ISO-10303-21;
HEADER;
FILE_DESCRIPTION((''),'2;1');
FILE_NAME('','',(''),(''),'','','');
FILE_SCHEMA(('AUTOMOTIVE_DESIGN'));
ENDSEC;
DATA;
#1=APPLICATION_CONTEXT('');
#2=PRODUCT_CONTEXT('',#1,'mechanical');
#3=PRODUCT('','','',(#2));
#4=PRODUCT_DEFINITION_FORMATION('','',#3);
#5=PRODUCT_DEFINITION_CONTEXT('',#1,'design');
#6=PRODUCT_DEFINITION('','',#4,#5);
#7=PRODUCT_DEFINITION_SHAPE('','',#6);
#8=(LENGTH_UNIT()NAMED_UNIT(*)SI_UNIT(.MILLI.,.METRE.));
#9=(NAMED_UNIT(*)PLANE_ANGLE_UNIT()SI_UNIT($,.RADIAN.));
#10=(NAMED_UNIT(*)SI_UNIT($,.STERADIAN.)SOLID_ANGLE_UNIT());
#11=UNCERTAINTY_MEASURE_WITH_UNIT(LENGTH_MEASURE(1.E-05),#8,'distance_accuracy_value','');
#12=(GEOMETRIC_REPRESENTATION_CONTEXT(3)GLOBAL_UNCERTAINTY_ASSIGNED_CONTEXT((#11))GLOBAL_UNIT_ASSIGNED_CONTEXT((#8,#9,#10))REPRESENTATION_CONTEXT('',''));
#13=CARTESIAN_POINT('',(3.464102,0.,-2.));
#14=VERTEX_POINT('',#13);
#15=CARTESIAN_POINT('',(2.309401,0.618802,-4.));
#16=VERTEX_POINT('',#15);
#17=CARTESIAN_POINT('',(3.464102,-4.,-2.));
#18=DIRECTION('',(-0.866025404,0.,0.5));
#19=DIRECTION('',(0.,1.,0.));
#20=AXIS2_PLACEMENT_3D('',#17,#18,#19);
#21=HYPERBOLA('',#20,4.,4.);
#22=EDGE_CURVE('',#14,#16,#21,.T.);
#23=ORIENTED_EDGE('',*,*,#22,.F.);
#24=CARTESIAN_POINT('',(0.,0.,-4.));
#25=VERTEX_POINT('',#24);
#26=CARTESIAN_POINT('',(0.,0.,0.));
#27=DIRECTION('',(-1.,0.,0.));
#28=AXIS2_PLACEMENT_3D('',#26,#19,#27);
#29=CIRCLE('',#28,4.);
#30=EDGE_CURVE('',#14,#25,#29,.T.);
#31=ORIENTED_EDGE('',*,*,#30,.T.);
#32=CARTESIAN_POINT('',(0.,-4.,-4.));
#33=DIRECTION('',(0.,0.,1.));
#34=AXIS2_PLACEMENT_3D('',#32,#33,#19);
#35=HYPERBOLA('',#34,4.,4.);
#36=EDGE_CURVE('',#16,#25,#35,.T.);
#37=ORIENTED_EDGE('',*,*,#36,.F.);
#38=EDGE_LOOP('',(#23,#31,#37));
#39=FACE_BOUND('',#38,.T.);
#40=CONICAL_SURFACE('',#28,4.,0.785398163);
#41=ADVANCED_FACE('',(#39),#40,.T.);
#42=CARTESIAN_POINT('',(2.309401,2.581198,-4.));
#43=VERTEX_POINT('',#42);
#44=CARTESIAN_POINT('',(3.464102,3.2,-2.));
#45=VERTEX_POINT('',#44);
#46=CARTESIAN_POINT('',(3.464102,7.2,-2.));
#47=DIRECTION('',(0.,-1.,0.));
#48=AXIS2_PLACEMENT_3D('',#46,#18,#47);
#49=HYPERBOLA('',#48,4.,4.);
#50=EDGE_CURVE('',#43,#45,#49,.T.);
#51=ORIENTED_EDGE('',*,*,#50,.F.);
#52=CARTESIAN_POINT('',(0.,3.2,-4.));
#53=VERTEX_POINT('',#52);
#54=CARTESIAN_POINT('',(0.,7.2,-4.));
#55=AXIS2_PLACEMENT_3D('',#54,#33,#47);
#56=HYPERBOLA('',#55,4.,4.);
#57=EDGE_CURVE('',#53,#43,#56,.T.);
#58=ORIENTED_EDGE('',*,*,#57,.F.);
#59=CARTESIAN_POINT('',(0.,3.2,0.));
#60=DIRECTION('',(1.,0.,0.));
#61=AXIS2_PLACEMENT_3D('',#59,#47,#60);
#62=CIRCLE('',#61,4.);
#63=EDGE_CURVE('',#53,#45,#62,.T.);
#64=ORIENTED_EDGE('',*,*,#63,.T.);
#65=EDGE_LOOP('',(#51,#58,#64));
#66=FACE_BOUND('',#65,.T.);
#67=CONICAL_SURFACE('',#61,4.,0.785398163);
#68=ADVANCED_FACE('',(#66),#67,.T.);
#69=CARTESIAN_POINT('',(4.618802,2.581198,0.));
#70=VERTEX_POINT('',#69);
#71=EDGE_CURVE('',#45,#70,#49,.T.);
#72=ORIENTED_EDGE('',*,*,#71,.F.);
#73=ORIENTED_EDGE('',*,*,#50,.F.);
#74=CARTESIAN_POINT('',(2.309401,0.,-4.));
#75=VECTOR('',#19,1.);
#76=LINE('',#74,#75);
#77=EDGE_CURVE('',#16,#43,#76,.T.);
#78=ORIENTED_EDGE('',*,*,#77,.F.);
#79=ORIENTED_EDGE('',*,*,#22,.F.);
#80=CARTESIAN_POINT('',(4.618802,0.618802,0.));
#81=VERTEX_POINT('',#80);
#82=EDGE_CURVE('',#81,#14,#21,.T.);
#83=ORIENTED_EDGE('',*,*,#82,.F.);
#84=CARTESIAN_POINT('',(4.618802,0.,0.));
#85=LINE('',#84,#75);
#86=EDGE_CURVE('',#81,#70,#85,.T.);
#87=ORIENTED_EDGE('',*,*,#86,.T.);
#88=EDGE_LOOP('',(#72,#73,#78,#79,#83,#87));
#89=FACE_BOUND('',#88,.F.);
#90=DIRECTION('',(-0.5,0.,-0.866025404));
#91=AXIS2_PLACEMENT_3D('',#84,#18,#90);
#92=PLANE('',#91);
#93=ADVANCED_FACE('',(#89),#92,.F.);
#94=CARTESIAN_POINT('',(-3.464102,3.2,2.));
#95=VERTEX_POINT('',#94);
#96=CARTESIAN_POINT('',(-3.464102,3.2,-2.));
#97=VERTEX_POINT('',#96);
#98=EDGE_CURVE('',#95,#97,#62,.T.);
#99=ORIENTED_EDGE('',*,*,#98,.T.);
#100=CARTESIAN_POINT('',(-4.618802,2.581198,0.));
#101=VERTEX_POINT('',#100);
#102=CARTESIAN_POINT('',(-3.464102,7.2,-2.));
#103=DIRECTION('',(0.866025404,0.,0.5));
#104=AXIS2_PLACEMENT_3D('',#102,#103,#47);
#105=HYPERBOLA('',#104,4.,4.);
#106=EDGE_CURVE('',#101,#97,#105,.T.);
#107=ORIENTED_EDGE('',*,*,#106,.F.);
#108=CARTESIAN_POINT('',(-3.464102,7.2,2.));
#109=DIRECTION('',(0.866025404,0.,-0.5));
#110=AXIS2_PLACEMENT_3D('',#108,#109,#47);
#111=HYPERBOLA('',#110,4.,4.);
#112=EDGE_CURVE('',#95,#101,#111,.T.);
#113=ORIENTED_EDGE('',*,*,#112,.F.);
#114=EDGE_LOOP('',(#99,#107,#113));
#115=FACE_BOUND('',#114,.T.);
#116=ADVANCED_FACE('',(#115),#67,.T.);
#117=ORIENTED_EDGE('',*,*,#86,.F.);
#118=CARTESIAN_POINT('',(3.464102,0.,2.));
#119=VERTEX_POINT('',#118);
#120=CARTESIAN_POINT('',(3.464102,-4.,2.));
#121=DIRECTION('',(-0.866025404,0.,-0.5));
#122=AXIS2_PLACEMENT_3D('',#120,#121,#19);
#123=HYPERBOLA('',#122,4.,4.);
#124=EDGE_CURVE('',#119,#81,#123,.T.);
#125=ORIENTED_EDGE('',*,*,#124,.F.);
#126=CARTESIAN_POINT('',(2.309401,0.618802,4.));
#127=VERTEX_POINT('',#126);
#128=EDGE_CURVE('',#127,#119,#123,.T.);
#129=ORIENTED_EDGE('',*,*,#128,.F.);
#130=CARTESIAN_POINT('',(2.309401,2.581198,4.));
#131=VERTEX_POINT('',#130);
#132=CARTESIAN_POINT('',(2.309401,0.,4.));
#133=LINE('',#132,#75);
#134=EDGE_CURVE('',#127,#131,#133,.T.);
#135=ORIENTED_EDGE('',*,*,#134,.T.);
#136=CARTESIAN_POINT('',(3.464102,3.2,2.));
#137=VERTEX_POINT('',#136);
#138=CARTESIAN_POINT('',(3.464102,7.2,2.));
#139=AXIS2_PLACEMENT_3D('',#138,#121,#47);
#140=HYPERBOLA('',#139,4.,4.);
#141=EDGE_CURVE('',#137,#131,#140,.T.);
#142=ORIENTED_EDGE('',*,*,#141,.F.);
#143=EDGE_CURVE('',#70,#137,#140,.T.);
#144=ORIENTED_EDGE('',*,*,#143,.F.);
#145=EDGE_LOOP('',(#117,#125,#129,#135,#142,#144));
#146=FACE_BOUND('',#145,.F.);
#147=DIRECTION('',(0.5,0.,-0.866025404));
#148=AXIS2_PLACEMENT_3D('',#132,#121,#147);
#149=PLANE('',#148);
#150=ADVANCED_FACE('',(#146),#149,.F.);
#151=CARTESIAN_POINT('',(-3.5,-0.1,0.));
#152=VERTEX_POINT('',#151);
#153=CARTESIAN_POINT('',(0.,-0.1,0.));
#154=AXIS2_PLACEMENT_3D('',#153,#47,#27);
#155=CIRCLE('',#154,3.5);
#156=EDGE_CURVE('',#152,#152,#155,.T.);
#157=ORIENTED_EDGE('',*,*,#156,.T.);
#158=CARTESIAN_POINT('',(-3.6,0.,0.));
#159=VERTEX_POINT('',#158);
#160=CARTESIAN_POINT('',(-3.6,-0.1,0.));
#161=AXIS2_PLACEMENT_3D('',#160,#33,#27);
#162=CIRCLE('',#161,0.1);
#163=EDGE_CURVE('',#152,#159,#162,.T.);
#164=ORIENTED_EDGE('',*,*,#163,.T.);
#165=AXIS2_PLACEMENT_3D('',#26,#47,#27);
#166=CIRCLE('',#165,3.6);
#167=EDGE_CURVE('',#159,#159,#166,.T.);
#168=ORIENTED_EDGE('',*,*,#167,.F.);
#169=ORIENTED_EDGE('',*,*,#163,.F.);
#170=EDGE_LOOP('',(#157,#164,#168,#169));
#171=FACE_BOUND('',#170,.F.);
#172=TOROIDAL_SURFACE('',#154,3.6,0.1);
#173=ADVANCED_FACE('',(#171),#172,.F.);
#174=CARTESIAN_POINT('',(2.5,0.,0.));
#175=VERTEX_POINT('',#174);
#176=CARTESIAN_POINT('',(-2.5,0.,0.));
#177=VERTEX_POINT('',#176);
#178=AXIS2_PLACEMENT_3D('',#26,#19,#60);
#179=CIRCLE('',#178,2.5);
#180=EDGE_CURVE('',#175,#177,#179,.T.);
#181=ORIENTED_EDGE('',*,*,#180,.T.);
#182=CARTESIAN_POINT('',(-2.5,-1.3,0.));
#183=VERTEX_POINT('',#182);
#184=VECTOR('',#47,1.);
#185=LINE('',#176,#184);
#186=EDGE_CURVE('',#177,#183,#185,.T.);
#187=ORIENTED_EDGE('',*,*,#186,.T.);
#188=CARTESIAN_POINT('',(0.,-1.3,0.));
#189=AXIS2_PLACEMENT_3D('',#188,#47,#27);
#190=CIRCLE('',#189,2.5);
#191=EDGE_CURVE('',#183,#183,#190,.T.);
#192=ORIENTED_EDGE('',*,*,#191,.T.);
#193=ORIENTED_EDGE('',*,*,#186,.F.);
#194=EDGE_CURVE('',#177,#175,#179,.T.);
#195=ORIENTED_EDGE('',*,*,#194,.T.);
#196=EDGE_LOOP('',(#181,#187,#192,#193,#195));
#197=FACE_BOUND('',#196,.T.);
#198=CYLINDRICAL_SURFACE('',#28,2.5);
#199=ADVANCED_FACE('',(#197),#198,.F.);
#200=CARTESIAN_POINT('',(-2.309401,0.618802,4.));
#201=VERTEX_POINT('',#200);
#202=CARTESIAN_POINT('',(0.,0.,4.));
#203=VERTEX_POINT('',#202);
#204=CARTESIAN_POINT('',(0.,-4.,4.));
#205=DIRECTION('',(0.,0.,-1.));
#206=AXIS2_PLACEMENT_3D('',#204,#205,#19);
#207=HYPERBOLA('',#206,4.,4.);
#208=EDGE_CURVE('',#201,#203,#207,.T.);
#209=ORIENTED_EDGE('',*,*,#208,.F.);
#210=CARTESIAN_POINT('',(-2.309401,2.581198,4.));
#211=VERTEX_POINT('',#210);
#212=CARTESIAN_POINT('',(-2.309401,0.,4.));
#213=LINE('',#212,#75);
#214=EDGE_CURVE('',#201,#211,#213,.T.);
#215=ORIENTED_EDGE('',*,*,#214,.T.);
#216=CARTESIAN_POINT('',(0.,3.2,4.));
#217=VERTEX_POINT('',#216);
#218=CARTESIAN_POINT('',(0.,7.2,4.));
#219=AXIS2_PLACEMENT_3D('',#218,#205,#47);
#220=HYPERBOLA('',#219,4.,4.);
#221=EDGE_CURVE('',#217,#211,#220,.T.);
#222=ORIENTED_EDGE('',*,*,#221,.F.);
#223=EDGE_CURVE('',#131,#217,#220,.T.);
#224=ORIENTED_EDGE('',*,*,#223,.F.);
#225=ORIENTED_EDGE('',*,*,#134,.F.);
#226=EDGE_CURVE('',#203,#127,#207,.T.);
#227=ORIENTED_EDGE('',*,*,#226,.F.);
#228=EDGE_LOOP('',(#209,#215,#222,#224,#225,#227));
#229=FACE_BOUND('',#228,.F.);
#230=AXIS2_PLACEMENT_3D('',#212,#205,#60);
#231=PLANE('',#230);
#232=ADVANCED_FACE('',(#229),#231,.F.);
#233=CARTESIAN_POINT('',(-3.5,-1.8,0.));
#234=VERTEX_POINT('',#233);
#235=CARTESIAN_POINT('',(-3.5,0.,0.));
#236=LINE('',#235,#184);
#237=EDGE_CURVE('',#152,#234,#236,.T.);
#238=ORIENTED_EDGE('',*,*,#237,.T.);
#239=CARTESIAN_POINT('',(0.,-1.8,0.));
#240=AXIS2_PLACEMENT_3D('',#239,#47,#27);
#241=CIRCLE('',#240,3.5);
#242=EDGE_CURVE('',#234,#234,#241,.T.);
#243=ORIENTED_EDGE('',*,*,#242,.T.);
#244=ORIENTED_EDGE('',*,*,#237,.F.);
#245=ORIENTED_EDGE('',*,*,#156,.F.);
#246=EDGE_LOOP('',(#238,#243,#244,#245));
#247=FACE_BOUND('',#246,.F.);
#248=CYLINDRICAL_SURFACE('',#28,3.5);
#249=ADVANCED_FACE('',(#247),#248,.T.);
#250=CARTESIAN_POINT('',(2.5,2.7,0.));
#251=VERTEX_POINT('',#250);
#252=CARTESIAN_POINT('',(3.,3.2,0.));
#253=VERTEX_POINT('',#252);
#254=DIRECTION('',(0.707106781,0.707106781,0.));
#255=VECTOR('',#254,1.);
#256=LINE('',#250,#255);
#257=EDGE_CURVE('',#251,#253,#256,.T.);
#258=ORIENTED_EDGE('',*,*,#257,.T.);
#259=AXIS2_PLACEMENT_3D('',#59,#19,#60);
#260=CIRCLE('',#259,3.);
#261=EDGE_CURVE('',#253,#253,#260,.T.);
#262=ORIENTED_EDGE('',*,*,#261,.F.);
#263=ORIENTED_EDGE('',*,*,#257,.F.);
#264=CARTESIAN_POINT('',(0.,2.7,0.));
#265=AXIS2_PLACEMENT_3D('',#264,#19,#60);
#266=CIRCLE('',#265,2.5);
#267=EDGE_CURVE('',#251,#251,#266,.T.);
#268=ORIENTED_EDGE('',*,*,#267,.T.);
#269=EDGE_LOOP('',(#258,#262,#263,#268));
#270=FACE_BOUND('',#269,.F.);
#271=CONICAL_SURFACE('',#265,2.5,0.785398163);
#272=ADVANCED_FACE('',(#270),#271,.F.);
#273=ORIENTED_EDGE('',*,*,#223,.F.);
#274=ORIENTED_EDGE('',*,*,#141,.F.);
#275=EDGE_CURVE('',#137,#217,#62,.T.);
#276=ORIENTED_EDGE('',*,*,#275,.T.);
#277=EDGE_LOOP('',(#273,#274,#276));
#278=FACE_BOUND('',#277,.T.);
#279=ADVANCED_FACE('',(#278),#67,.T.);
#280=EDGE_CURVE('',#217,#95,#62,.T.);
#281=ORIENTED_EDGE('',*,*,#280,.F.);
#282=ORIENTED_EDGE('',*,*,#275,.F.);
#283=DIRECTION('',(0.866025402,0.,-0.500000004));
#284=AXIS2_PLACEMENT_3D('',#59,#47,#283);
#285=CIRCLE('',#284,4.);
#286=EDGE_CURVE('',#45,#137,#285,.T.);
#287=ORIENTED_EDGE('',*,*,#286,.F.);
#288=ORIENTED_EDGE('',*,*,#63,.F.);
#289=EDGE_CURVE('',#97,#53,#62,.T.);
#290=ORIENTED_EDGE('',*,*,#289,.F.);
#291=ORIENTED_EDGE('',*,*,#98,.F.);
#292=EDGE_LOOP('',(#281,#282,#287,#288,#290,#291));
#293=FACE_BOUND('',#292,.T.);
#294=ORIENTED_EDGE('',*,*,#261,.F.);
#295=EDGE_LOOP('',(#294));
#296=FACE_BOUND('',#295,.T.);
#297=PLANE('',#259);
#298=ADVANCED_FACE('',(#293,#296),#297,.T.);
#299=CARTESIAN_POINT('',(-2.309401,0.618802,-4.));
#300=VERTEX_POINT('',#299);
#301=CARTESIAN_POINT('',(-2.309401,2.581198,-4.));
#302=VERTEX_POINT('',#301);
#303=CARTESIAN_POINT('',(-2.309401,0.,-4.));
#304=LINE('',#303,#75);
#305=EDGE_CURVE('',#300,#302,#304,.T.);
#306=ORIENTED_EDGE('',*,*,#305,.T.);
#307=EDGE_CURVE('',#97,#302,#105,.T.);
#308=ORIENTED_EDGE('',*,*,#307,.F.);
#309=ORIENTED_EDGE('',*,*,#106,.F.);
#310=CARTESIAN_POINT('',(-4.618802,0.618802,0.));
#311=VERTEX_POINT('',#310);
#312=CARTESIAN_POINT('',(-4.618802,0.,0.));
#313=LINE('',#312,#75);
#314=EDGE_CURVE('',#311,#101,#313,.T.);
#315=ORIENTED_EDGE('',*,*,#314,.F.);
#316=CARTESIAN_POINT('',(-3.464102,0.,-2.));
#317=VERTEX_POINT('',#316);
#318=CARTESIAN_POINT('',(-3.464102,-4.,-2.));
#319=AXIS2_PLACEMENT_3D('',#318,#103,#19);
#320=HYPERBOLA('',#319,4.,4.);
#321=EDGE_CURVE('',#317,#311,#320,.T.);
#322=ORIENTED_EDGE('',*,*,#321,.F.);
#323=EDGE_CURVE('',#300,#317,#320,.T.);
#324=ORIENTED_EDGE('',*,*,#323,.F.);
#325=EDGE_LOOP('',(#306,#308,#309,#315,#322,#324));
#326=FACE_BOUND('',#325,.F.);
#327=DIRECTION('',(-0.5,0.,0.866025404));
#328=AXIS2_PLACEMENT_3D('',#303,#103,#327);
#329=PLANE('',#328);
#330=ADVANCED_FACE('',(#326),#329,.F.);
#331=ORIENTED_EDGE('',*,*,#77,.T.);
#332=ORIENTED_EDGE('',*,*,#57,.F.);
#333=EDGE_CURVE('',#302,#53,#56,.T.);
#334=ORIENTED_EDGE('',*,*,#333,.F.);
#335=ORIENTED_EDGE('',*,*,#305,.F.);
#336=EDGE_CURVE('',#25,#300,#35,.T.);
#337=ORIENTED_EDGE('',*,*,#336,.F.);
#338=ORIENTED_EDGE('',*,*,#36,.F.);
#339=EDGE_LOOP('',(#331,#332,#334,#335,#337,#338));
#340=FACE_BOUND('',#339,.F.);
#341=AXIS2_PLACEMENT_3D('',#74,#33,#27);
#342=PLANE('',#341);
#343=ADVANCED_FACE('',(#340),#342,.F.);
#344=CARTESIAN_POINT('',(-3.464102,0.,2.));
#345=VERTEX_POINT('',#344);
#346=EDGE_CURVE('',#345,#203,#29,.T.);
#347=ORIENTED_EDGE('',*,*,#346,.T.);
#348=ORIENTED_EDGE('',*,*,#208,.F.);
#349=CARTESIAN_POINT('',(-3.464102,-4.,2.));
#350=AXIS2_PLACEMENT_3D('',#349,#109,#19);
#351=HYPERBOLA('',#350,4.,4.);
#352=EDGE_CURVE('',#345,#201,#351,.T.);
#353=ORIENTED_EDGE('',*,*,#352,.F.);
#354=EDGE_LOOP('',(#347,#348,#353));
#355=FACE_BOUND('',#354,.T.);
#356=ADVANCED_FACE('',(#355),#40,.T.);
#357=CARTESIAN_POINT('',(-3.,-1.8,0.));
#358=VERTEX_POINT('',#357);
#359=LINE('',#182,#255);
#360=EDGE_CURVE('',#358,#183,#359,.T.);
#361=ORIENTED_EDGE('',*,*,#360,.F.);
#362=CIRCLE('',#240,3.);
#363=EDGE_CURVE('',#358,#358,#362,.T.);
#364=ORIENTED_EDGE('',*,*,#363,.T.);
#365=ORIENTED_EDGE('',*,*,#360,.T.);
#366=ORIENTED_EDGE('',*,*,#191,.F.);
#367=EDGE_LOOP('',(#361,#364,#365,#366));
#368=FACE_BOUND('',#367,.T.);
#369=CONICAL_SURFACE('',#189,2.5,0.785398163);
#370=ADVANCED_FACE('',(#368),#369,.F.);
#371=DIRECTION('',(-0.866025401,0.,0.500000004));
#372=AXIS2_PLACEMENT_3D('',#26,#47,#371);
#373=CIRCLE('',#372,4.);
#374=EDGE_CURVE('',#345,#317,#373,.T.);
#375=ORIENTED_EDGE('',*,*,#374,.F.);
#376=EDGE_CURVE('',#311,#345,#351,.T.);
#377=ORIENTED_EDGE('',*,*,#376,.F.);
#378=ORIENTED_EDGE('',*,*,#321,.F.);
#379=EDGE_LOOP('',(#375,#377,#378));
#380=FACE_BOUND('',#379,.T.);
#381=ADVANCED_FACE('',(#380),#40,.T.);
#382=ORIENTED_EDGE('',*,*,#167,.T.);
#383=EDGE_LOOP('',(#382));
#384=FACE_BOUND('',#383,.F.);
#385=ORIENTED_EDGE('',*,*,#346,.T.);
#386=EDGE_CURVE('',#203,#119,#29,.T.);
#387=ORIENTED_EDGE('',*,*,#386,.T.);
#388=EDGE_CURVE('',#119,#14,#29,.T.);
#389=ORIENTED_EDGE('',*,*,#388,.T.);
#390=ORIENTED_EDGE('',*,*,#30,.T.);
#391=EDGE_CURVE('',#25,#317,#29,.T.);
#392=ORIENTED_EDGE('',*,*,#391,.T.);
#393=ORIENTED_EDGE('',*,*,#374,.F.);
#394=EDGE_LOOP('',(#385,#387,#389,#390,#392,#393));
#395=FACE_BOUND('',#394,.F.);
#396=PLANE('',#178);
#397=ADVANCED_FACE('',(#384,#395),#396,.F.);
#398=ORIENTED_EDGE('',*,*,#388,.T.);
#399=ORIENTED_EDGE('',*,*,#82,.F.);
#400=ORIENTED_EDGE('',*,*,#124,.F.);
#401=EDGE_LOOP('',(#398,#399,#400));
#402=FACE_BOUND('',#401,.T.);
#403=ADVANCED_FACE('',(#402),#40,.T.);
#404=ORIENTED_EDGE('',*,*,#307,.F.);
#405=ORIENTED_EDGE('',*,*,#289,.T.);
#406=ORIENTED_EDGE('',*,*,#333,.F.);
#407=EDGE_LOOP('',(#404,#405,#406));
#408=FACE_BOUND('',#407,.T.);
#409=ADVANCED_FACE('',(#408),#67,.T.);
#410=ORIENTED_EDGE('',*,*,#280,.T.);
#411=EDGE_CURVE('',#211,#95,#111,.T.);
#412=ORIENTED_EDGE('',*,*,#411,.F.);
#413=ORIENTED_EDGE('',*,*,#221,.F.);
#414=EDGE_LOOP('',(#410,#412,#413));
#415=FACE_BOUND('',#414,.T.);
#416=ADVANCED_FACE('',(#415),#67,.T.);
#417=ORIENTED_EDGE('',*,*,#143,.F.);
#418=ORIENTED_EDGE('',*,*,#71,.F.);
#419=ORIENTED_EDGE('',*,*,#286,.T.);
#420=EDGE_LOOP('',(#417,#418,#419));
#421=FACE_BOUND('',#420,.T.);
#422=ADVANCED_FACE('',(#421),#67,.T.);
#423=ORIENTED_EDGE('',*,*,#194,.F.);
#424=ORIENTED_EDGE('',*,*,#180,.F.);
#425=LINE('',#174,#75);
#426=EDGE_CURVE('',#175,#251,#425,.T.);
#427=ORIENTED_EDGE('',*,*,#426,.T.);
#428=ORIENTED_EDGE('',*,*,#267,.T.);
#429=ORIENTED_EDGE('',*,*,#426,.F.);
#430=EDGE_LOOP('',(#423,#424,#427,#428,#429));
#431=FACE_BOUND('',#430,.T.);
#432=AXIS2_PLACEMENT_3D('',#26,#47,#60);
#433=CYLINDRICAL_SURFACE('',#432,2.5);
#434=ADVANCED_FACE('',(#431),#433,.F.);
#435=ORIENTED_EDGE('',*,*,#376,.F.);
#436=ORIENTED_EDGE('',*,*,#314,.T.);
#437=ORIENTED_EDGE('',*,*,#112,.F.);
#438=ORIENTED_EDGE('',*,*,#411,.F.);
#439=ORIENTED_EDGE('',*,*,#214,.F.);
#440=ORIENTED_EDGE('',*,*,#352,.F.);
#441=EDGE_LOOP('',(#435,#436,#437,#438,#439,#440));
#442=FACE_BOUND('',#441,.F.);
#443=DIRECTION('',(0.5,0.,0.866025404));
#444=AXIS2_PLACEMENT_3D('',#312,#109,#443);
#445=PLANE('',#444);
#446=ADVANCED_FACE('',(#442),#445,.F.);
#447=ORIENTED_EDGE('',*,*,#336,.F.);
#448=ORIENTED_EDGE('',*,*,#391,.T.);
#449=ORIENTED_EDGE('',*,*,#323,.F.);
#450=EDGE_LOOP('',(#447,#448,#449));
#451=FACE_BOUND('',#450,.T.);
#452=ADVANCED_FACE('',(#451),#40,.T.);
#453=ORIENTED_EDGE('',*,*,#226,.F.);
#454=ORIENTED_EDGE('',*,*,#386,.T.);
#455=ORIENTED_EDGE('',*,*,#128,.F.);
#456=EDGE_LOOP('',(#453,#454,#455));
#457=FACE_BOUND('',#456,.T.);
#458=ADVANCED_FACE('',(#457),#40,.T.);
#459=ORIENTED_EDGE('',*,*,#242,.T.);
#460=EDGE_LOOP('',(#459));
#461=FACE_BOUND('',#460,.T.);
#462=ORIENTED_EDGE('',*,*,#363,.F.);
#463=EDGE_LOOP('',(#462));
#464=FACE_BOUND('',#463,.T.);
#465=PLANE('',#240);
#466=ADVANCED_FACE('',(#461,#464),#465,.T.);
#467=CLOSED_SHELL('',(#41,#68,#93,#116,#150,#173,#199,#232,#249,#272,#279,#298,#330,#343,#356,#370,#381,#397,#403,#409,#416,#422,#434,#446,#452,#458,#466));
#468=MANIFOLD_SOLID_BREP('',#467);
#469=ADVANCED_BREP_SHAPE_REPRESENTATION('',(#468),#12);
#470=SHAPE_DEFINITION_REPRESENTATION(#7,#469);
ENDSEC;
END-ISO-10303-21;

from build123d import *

# Parameters (mm, degrees)
SZKIC1_R                    = 2.5
DODANIE_WYCI_GNI_CIE1_DEPTH = 3.2
SZKIC2_OUTSIDE_W            = 22.164
SZKIC2_OUTSIDE_H            = 20.926
SZKIC2_OUTSIDE_R            = 4
WYTNIJ_WYCI_GNI_CIE29_DEPTH = 4.2
WYTNIJ_WYCI_GNI_CIE29_TAPER = 45
SZKIC4_R                    = 3.5
SZKIC4_R_2                  = 2.5
DODANIE_WYCI_GNI_CIE2_DEPTH = 1.8
SZKIC5_OUTSIDE_W            = 33.878
SZKIC5_OUTSIDE_H            = 32.64
SZKIC5_OUTSIDE_R            = 4
WYTNIJ_WYCI_GNI_CIE30_DEPTH = 10
WYTNIJ_WYCI_GNI_CIE30_TAPER = 45
ZAOKR_GLENIE1_R             = 0.1
SFAZOWANIE1_SIZE            = 0.5


with BuildPart() as part:
    # Szkic1 → Dodanie-wyciągnięcie1 (new body)
    with BuildSketch(Plane(origin=(0, 0, 0), x_dir=(1, 0, 0), z_dir=(0, 1, 0))):
        Polygon((4.618802154, 0), (2.309401077, 4), (-2.309401077, 4), (-4.618802154, 0), (-2.309401077, -4), (2.309401077, -4), align=None)
        Circle(SZKIC1_R, mode=Mode.SUBTRACT)
    extrude(amount=DODANIE_WYCI_GNI_CIE1_DEPTH)

    # Szkic2 outside → Wytnij-wyciągnięcie29 (cut, through all)
    with BuildSketch(Plane(origin=(0, 3.2, 0), x_dir=(1, 0, 0), z_dir=(0, 1, 0))):
        Rectangle(SZKIC2_OUTSIDE_W, SZKIC2_OUTSIDE_H)
        Circle(SZKIC2_OUTSIDE_R, mode=Mode.SUBTRACT)
    extrude(amount=-WYTNIJ_WYCI_GNI_CIE29_DEPTH, taper=WYTNIJ_WYCI_GNI_CIE29_TAPER, mode=Mode.SUBTRACT)

    # Szkic4 → Dodanie-wyciągnięcie2 (add)
    with BuildSketch(Plane(origin=(0, 0, 0), x_dir=(-1, 0, 0), z_dir=(0, -1, 0))):
        Circle(SZKIC4_R)
        Circle(SZKIC4_R_2, mode=Mode.SUBTRACT)
    extrude(amount=DODANIE_WYCI_GNI_CIE2_DEPTH)

    # Szkic5 outside → Wytnij-wyciągnięcie30 (cut)
    with BuildSketch(Plane(origin=(0, 0, 0), x_dir=(-1, 0, 0), z_dir=(0, -1, 0))):
        Rectangle(SZKIC5_OUTSIDE_W, SZKIC5_OUTSIDE_H)
        Circle(SZKIC5_OUTSIDE_R, mode=Mode.SUBTRACT)
    extrude(amount=-WYTNIJ_WYCI_GNI_CIE30_DEPTH, taper=WYTNIJ_WYCI_GNI_CIE30_TAPER, mode=Mode.SUBTRACT)

    # Zaokrąglenie1
    zaokr_glenie1_edges = [part.edges().sort_by_distance(p)[0] for p in [
        (3.5, 0, 0),
    ]]
    fillet(zaokr_glenie1_edges, radius=ZAOKR_GLENIE1_R)

    # Sfazowanie1
    sfazowanie1_edges = [part.edges().sort_by_distance(p)[0] for p in [
        (-2.5, 3.2, 0),
        (2.5, -1.8, 0),
    ]]
    chamfer(sfazowanie1_edges, length=SFAZOWANIE1_SIZE)


solid = part.part
